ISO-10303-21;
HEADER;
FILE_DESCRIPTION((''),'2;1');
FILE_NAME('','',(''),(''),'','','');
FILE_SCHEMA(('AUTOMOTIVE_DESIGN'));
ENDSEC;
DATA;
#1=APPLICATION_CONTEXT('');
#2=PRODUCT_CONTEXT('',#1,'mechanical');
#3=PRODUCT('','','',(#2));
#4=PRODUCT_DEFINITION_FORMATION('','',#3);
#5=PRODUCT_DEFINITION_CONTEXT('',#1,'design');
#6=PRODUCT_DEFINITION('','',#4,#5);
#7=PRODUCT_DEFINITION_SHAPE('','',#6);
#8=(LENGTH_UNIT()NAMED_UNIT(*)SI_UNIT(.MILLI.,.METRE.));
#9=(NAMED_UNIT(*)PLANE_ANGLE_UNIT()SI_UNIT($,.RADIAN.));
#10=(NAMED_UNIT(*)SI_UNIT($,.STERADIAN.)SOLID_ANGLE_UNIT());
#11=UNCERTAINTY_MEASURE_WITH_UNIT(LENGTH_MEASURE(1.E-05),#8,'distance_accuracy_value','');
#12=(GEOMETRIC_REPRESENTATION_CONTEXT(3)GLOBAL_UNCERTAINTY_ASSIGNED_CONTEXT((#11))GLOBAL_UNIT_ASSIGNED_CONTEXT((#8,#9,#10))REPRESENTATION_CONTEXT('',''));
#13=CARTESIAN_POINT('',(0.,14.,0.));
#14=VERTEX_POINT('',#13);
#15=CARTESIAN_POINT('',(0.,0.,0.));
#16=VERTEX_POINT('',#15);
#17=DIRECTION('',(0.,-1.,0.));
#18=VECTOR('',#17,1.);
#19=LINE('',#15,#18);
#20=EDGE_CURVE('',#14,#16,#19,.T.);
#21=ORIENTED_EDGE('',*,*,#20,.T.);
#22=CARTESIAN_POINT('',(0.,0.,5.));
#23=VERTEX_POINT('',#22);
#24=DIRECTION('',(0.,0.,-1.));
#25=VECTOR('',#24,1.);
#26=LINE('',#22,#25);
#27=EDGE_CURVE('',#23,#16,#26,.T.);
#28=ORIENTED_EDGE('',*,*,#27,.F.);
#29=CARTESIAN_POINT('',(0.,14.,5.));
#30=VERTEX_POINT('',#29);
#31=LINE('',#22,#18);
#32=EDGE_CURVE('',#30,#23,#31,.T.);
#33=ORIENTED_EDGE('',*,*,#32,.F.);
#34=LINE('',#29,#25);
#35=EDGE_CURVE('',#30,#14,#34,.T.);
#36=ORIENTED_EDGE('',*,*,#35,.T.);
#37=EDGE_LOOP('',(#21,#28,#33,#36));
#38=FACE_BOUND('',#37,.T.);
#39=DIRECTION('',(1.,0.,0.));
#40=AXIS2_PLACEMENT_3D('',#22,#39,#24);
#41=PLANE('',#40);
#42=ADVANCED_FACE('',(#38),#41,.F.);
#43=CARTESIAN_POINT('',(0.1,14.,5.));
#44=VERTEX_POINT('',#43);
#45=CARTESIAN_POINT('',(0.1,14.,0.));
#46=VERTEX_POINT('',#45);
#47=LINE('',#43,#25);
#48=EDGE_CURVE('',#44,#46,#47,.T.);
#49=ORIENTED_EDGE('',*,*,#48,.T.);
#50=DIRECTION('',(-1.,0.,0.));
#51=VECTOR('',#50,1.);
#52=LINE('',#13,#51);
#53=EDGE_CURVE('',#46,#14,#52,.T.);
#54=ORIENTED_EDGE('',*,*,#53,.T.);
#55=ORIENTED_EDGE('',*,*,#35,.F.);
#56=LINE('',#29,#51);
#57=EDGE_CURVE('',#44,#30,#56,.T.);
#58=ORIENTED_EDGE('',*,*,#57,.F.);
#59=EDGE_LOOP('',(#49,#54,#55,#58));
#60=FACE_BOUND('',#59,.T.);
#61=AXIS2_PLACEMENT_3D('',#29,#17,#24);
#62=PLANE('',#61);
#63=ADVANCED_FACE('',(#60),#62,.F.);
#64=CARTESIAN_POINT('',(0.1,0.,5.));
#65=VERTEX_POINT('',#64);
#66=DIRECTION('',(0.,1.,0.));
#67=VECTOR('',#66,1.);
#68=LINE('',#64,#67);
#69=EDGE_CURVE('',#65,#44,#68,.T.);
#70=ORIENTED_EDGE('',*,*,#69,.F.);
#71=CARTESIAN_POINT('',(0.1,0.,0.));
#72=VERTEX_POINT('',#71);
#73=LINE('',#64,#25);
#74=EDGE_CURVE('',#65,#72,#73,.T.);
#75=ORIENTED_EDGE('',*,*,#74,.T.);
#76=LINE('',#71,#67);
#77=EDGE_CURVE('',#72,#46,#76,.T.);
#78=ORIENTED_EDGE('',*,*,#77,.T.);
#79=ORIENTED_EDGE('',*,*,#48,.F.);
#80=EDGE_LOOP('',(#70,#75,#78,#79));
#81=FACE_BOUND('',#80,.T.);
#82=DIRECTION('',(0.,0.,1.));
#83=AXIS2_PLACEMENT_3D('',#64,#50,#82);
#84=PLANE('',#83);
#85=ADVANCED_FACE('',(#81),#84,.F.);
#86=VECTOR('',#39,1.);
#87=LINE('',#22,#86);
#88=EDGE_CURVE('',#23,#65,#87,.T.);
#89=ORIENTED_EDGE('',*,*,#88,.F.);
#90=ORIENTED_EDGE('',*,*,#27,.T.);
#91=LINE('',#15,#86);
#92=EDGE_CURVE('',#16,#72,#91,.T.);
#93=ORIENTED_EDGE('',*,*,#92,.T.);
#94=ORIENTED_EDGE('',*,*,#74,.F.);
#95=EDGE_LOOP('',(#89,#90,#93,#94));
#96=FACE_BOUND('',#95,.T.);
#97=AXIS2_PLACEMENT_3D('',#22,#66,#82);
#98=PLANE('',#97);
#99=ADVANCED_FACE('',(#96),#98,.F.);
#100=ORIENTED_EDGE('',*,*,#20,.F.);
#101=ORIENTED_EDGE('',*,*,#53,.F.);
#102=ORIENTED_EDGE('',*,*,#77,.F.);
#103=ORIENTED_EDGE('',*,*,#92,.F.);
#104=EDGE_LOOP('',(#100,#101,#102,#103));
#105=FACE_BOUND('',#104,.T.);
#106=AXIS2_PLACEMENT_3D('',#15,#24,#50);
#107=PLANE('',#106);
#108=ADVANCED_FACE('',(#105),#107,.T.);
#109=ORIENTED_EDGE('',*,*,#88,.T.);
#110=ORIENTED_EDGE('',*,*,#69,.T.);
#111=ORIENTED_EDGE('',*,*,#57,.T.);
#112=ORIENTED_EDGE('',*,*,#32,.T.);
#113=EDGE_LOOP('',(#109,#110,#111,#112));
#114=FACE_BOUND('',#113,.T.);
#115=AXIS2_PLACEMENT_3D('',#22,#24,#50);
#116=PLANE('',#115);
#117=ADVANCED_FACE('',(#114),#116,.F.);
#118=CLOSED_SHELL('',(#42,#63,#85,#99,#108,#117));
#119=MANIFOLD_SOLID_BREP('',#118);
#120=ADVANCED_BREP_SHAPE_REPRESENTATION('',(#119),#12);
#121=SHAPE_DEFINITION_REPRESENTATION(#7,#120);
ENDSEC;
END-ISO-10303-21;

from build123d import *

# Parameters (mm, degrees)
SKETCH1_W           = 0.1
SKETCH1_H           = 14
BOSS_EXTRUDE1_DEPTH = 5


with BuildPart() as part:
    # Sketch1 → Boss-Extrude1 (new body)
    with BuildSketch(Plane.XY):
        with Locations((0.05, 7)):
            Rectangle(SKETCH1_W, SKETCH1_H)
    extrude(amount=BOSS_EXTRUDE1_DEPTH)


solid = part.part
